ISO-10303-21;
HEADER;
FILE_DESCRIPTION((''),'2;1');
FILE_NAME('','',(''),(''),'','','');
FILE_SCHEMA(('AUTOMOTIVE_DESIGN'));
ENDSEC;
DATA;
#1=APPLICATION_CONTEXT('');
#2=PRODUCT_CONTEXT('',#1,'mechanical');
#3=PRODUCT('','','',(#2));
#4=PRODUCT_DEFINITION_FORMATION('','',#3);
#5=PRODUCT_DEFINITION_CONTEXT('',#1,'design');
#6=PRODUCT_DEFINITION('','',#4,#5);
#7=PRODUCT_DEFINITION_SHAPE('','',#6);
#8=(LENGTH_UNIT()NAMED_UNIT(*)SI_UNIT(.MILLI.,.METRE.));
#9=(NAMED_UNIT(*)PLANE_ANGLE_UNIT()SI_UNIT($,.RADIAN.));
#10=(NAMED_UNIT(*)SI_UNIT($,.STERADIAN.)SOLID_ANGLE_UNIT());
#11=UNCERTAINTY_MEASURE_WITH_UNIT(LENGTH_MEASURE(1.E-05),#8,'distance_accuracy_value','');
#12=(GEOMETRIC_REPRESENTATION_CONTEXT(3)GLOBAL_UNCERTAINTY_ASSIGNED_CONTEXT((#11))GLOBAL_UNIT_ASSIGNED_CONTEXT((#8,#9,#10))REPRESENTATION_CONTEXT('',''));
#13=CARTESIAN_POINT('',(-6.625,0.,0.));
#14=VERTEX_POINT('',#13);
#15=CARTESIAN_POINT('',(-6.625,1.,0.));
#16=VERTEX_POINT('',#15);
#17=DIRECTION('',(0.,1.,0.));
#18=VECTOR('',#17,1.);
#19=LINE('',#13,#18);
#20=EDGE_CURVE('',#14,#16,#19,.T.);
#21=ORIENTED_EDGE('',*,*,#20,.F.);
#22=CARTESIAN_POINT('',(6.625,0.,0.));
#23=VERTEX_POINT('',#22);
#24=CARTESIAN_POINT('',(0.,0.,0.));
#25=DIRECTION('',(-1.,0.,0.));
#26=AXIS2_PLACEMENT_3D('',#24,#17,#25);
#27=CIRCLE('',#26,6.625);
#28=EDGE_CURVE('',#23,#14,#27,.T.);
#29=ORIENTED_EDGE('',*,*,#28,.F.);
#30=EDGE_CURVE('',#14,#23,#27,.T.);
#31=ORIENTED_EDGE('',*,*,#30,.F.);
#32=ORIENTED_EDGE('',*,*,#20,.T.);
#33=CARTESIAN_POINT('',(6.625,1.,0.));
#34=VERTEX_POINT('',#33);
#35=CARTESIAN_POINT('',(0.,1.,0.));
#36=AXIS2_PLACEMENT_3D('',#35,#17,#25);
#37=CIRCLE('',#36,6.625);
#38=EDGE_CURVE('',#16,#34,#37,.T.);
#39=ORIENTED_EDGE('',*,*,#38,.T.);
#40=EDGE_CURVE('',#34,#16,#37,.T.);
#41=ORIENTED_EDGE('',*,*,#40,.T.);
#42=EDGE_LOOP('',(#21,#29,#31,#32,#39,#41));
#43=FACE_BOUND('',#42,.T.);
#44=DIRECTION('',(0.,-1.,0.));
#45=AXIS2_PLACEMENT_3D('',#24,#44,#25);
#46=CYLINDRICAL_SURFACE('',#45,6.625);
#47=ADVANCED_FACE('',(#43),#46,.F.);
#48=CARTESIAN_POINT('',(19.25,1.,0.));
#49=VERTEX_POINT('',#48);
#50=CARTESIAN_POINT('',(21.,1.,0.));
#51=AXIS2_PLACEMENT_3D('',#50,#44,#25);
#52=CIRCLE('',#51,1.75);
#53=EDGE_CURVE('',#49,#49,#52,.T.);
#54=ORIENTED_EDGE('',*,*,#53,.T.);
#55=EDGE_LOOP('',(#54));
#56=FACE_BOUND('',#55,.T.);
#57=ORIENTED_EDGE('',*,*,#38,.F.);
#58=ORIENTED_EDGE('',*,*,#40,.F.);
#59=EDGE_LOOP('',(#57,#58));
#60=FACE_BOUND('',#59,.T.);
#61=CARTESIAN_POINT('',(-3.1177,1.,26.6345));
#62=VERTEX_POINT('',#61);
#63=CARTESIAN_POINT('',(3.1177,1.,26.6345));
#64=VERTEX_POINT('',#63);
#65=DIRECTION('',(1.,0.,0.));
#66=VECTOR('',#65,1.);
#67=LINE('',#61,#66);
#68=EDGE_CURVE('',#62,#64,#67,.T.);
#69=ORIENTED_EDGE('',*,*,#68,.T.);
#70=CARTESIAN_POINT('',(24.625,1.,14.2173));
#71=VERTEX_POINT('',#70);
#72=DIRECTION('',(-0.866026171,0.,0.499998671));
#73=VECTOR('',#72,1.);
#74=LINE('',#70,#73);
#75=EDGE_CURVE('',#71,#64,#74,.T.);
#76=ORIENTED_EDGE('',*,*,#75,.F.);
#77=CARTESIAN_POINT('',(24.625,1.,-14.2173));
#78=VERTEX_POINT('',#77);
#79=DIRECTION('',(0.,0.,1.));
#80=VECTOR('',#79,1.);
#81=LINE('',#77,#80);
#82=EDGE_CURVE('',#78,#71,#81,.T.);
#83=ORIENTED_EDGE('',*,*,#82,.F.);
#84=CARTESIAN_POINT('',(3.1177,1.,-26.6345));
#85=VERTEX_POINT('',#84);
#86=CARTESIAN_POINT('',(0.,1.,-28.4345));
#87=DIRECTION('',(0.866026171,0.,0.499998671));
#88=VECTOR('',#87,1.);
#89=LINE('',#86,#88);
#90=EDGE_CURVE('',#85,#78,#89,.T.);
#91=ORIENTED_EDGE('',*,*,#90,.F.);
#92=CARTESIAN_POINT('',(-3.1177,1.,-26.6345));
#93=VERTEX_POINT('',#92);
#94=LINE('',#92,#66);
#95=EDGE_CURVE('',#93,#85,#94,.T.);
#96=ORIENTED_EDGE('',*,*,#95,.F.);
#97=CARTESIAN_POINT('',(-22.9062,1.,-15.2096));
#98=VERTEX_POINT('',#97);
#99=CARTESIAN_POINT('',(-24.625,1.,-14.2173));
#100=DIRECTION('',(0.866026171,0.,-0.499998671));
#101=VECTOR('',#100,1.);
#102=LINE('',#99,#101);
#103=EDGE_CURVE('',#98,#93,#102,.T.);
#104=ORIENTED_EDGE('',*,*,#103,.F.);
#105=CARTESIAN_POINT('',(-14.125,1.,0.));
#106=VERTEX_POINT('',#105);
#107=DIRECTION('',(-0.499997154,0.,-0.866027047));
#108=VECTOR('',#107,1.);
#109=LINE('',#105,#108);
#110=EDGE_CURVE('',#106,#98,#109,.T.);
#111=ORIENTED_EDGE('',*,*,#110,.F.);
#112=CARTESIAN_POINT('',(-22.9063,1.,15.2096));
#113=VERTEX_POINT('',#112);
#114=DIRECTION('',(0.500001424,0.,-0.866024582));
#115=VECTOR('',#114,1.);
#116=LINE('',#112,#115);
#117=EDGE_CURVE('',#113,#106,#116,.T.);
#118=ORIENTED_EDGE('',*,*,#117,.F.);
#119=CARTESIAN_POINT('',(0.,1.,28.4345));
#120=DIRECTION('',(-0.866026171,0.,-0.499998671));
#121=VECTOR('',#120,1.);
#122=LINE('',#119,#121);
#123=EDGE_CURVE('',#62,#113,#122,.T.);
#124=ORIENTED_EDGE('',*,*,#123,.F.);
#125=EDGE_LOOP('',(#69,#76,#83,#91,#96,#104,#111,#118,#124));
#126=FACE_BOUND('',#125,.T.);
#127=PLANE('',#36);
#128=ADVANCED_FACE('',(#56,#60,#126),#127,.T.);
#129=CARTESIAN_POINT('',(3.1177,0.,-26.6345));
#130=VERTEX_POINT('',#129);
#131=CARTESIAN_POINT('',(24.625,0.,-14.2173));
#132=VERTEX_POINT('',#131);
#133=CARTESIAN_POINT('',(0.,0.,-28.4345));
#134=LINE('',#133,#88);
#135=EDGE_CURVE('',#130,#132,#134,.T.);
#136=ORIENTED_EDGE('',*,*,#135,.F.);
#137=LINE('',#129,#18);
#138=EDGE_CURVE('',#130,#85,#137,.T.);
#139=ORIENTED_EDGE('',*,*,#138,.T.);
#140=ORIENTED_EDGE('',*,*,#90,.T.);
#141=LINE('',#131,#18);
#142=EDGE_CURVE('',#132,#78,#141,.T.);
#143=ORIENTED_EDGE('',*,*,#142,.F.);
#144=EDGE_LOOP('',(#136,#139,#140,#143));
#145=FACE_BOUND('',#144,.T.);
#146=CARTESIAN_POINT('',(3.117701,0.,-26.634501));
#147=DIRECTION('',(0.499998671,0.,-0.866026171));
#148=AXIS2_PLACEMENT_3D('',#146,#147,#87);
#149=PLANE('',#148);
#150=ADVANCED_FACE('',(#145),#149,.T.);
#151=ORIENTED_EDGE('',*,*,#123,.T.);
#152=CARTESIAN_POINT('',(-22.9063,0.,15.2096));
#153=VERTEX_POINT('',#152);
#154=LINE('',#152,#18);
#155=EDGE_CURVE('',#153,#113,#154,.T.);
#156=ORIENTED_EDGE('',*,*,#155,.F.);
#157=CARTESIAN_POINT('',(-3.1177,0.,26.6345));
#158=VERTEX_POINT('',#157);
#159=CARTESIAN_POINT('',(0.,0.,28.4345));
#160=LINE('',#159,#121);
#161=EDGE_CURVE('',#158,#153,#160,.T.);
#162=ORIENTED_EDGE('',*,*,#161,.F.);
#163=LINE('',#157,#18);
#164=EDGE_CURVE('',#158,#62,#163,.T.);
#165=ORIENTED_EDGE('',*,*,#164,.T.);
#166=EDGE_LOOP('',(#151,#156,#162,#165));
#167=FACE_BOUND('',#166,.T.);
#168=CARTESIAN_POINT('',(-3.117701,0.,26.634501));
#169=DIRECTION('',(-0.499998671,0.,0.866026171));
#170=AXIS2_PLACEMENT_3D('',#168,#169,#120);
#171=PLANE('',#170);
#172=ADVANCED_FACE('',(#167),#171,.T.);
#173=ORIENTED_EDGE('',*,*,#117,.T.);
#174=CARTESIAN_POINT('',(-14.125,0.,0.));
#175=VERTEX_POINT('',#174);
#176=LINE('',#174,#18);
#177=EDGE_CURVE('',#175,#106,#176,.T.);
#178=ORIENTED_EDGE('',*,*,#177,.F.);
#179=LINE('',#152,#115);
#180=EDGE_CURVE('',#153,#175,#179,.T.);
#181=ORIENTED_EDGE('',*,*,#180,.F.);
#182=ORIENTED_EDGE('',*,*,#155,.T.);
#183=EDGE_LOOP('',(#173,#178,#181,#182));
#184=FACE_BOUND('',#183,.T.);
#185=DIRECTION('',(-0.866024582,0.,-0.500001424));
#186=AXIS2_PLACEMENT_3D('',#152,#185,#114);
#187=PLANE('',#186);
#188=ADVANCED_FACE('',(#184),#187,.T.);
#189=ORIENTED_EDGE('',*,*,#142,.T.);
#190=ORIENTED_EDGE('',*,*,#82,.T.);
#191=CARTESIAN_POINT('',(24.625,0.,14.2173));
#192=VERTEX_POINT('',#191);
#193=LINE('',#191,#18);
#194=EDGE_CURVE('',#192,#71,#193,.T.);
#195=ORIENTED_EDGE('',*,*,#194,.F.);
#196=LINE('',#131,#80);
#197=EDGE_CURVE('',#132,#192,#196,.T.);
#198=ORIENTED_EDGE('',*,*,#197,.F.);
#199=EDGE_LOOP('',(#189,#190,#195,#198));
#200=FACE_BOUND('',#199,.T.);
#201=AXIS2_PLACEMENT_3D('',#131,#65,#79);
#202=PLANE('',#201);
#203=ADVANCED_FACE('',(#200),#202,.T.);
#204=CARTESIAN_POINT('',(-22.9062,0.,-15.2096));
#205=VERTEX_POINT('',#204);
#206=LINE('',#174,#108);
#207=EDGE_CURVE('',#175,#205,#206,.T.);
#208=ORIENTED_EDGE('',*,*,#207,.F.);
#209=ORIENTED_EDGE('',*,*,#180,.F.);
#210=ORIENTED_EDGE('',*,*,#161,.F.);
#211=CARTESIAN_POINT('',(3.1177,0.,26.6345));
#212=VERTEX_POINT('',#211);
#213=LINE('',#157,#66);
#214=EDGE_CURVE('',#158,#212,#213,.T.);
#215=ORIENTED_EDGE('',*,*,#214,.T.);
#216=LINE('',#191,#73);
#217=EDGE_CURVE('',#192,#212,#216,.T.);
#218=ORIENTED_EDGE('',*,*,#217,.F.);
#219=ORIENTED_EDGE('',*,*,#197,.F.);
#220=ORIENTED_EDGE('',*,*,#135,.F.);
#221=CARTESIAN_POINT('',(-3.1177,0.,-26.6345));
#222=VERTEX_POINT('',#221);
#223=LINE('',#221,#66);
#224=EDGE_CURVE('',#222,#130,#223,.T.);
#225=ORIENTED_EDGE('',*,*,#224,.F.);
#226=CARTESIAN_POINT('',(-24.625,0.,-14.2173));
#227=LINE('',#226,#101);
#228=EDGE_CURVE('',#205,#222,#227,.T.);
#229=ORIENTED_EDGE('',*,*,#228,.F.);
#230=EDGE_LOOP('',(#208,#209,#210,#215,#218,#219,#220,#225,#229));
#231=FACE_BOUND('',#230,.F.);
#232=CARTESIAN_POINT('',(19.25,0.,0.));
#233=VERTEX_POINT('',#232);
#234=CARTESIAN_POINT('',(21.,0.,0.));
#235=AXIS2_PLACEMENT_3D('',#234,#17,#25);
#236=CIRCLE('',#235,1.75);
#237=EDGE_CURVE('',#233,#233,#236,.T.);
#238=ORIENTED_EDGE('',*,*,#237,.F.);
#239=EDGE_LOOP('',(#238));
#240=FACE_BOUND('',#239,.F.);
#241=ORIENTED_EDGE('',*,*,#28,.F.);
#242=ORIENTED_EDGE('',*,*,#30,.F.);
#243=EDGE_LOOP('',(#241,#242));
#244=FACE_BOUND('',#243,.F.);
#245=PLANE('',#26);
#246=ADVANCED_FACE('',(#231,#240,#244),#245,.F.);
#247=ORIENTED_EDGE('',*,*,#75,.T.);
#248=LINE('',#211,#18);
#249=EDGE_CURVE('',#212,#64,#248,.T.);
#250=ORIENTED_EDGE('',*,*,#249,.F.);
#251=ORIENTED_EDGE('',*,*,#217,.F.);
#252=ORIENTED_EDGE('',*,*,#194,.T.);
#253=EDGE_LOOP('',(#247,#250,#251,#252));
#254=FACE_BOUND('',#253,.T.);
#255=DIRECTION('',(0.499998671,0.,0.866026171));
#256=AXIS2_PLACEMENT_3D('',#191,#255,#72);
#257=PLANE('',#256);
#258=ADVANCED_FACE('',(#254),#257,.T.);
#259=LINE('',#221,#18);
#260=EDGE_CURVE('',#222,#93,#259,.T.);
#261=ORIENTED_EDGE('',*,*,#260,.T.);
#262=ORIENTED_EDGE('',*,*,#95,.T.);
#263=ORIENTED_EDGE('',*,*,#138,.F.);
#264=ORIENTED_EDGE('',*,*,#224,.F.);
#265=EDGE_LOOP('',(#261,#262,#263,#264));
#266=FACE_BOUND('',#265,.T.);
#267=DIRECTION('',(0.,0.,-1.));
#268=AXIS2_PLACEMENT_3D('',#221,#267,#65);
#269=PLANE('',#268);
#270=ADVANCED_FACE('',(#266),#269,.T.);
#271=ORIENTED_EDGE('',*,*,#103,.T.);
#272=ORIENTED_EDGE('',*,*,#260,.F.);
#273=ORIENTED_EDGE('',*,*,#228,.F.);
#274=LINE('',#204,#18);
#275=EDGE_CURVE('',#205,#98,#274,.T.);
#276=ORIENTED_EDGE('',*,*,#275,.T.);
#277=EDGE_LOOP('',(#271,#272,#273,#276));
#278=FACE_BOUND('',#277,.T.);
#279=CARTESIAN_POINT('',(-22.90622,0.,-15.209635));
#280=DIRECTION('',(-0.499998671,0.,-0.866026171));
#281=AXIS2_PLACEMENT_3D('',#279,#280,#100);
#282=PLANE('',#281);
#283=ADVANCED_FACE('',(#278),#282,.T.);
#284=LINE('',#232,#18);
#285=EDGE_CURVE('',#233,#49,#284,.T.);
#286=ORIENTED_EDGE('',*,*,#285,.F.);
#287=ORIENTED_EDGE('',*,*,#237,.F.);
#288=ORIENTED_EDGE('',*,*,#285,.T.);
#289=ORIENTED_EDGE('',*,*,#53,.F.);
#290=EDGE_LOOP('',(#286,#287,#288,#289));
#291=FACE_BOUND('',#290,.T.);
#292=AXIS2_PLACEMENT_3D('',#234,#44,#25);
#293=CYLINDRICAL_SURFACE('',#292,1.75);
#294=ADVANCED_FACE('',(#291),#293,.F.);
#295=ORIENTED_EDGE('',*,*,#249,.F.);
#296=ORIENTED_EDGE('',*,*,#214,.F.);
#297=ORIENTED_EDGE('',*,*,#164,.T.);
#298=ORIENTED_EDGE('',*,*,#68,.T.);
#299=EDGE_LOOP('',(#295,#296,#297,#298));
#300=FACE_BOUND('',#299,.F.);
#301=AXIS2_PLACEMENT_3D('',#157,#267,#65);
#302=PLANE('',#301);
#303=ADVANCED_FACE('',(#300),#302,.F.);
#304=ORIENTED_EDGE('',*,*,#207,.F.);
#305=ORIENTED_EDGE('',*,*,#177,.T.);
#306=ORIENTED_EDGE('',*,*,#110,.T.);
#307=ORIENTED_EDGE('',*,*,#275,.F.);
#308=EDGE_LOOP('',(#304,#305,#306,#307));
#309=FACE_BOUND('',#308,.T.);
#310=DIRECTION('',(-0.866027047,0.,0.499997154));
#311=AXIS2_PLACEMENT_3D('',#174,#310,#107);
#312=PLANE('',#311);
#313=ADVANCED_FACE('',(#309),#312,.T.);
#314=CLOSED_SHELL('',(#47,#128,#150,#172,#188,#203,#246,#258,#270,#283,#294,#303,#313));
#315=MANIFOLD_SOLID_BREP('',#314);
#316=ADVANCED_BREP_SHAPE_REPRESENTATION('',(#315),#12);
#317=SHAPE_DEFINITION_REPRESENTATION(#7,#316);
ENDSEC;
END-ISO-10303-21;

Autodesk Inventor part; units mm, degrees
ref_plane "YZ Plane" through (0, 0, 0) normal (1, 0, 0) x (0, 1, 0)
ref_plane "XZ Plane" through (0, 0, 0) normal (0, 1, 0) x (-1, 0, 0)
ref_plane "XY Plane" through (0, 0, 0) normal (0, 0, 1) x (1, 0, 0)
sketch "Sketch1" plane through (0, 0, 0) normal (0, 1, 0) x (-1, 0, 0)
  circle A0 centre (0, 0) radius 6.625
  line L0 (0, -28.4345) -> (-24.625, -14.2173)
  line L1 (-24.625, -14.2173) -> (-24.625, 14.2173)
  line L2 (-24.625, 14.2173) -> (0, 28.4345)
  line L3 (0, 28.4345) -> (24.625, 14.2173)
  line L4 (24.625, 14.2173) -> (24.625, -14.2173)
  line L5 (24.625, -14.2173) -> (0, -28.4345)
  line L6 (22.9063, 15.2096) -> (14.125, 0)
  line L7 (14.125, 0) -> (22.9062, -15.2096)
  line L8 (14.125, 0) -> (24.625, 0)
  line L9 (3.1177, 26.6345) -> (-3.1177, 26.6345)
  line L10 (3.1177, -26.6345) -> (-3.1177, -26.6345)
  circle A1 centre (-21, 0) radius 1.75
  line L11 (0, 0) -> (-21, 0)
  dimension "d0" = 13.25
  dimension "d1" = 49.25
  dimension "d4" = 120
  dimension "d5" = 120
  dimension "d6" = 10.5
  dimension "d7" = 24.625
  dimension "d8" = 1.8
  dimension "d9" = 1.8
  dimension "d10" = 3.5
  dimension "d11" = 21
extrude "Extrusion1" add sketch "Sketch1" along normal blind 1 contours A1 | L0 L1 L2 L9 L3 L6 L7 L5 L10
extrude "Extrusion2" cut sketch "Sketch1" along normal through all contours A1
properties part number "PCB"
